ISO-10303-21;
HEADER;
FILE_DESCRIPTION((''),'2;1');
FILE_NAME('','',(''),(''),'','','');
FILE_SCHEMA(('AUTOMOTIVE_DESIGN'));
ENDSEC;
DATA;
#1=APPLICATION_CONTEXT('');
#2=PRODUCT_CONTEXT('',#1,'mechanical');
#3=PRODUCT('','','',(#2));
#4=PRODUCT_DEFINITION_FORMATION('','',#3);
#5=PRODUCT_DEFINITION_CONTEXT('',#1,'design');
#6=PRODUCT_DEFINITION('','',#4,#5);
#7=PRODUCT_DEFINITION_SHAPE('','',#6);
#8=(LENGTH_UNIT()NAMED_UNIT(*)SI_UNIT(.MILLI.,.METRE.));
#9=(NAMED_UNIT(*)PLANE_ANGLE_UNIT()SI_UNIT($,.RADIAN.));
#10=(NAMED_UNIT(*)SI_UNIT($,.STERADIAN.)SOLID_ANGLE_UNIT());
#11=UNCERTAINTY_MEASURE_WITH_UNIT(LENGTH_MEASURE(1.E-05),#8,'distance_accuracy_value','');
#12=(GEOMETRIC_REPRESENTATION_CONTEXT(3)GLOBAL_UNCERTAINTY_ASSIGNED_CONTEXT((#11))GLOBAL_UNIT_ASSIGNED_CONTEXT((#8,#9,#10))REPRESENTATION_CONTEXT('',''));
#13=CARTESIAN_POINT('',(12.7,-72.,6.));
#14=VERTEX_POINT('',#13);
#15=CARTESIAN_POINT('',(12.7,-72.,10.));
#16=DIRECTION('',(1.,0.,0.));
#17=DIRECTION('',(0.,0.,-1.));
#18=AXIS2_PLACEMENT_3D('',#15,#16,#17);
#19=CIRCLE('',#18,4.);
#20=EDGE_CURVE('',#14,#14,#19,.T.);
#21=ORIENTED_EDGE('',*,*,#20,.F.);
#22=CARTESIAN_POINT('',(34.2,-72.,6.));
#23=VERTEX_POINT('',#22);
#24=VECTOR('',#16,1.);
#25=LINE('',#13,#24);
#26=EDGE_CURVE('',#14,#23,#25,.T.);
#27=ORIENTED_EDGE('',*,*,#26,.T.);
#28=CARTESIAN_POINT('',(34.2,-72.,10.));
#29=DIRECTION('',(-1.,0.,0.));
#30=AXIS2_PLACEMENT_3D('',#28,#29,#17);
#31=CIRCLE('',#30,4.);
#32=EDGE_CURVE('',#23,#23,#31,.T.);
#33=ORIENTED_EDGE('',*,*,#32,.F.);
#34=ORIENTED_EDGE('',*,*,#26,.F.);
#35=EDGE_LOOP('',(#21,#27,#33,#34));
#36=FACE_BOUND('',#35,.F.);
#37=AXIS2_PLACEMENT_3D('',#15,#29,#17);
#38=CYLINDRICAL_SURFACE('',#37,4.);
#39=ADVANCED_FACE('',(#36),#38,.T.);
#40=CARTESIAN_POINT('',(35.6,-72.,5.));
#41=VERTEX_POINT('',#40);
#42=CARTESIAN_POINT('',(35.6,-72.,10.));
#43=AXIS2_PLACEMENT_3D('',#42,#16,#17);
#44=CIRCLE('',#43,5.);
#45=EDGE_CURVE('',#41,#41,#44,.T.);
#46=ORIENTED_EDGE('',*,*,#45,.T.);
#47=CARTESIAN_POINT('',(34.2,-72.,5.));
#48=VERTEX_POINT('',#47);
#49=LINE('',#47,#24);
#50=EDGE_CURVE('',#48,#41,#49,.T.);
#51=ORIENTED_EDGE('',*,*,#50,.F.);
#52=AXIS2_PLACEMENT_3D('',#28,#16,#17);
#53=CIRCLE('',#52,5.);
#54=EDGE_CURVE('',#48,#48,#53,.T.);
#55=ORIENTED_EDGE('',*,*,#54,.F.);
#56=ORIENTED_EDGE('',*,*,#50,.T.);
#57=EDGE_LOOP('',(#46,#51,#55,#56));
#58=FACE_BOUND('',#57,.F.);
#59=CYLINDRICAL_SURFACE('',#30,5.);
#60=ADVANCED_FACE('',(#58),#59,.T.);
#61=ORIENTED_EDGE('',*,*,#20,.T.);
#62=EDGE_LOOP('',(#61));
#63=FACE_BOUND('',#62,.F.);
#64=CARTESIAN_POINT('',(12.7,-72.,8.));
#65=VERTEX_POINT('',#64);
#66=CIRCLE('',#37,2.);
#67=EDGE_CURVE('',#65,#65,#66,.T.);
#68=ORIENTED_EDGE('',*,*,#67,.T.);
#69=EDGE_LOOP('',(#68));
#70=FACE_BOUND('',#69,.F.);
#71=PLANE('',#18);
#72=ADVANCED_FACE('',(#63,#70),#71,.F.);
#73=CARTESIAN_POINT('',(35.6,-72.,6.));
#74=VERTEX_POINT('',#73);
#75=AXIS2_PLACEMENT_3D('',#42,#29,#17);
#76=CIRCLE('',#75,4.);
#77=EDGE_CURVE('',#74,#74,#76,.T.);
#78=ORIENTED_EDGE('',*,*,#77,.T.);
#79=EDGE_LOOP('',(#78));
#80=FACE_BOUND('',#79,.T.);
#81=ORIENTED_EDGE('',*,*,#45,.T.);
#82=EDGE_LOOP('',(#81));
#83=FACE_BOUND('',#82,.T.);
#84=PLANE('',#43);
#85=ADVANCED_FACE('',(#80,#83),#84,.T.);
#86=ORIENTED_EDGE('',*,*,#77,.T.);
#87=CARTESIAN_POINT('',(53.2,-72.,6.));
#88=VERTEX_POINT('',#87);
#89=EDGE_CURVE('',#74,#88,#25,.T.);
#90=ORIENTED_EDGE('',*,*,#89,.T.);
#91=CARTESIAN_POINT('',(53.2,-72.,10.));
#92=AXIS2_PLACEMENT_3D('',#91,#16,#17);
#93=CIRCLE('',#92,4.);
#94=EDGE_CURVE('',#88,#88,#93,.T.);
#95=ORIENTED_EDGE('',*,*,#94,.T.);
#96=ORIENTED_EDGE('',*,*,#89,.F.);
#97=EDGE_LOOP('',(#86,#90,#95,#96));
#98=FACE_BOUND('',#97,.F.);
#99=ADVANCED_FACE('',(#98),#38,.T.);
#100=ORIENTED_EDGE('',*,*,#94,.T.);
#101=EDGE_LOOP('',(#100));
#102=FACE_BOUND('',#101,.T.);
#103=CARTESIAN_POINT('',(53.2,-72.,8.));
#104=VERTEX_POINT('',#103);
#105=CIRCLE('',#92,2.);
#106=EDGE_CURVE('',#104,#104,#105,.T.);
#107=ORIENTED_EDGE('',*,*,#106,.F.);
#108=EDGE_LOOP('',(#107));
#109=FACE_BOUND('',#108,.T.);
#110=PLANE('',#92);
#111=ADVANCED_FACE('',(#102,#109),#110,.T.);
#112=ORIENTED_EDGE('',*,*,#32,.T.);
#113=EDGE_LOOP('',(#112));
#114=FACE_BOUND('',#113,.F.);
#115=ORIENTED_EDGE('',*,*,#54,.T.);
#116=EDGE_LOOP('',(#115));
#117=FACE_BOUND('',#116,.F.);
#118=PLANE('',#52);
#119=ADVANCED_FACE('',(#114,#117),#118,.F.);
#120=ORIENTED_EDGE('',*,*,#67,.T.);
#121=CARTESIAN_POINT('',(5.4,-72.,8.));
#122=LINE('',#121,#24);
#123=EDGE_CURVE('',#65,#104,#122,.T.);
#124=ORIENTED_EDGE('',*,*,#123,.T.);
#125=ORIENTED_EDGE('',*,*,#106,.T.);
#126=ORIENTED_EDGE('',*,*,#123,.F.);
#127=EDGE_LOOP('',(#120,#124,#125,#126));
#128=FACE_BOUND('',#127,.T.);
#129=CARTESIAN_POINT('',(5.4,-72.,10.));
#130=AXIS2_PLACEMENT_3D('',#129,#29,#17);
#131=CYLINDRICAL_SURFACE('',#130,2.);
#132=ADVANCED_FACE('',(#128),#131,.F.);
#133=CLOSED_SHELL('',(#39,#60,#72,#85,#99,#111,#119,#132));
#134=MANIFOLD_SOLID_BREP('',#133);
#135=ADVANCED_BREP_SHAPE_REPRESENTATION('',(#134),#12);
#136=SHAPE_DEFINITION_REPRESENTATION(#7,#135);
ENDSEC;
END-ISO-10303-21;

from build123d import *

# Parameters (mm, degrees)
CYLINDER136_R     = 2
CYLINDER136_DEPTH = 47.8
CYLINDER118_R     = 5
CYLINDER118_DEPTH = 1.4
CYLINDER119_R     = 4
CYLINDER119_DEPTH = 40.5


with BuildPart() as cylinder136:
    # Cylinder136 → Cylinder136 (new body)
    with BuildSketch(Plane(origin=(9.4, -82, 10), x_dir=(0, 0, -1), z_dir=(1, 0, 0))):
        Circle(CYLINDER136_R)
    extrude(amount=CYLINDER136_DEPTH)


with BuildPart() as cylinder118:
    # Cylinder118 → Cylinder118 (new body)
    with BuildSketch(Plane(origin=(38.2, -82, 10), x_dir=(0, 0, -1), z_dir=(1, 0, 0))):
        Circle(CYLINDER118_R)
    extrude(amount=CYLINDER118_DEPTH)


with BuildPart() as cut096:
    # Cylinder119 → Cylinder119 (new body)
    with BuildSketch(Plane(origin=(16.7, -82, 10), x_dir=(0, 0, -1), z_dir=(1, 0, 0))):
        Circle(CYLINDER119_R)
    extrude(amount=CYLINDER119_DEPTH)

    # Fusion143: union Cylinder118
    add(cylinder118.part)

    # Cut096: cut Cylinder136
    add(cylinder136.part, mode=Mode.SUBTRACT)


with BuildPart() as cut096_1:
    # Cut096 placement: moved
    add(cut096.part.moved(Location((-4, 10, 0))))


solid = cut096_1.part
